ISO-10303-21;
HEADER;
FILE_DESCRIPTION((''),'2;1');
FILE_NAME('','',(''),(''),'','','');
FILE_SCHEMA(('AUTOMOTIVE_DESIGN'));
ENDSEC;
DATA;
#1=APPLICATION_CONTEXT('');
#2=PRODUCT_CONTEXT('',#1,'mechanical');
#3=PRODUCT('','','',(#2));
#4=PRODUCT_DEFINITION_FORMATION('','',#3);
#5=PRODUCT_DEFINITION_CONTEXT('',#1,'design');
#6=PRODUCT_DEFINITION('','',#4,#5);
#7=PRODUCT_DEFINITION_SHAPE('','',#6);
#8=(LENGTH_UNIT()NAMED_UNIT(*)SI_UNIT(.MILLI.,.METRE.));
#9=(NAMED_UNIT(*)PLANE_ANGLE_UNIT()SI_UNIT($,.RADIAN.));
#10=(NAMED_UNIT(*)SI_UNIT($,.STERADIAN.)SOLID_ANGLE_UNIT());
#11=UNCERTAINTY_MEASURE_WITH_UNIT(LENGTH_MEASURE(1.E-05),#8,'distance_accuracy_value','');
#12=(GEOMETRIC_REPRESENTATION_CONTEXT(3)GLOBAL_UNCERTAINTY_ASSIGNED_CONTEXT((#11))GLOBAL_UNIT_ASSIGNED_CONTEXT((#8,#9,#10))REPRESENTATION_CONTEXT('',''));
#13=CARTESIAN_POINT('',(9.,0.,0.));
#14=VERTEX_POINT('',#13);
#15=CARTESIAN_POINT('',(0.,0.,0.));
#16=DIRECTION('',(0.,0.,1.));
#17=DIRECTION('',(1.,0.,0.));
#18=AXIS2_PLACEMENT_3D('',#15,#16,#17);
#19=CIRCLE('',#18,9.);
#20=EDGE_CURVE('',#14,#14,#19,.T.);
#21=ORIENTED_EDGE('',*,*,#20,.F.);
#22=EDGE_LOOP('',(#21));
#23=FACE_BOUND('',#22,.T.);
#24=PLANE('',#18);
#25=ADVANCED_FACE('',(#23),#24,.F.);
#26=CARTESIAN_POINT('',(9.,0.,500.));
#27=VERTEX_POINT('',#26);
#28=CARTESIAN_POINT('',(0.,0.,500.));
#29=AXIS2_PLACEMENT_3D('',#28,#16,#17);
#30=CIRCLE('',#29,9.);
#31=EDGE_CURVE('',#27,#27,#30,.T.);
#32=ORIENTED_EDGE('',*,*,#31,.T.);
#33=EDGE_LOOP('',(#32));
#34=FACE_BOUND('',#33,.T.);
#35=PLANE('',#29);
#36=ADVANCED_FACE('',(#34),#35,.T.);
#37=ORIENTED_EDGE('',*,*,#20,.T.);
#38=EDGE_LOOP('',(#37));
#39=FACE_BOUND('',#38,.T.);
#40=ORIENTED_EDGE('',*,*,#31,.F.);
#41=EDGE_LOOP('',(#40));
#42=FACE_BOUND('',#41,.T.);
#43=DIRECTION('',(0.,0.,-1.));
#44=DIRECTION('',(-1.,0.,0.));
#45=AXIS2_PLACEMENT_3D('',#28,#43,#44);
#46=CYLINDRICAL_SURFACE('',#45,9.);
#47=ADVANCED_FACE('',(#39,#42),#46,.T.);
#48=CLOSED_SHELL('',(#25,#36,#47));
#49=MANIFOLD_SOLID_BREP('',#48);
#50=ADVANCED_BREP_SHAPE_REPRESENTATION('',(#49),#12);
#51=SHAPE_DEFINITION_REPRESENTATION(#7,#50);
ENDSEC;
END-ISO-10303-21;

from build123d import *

# Parameters (mm, degrees)
SKETCH1_R           = 9
BOSS_EXTRUDE1_DEPTH = 500


with BuildPart() as part:
    # Sketch1 → Boss-Extrude1 (new body)
    with BuildSketch(Plane.XY):
        Circle(SKETCH1_R)
    extrude(amount=BOSS_EXTRUDE1_DEPTH)


solid = part.part
